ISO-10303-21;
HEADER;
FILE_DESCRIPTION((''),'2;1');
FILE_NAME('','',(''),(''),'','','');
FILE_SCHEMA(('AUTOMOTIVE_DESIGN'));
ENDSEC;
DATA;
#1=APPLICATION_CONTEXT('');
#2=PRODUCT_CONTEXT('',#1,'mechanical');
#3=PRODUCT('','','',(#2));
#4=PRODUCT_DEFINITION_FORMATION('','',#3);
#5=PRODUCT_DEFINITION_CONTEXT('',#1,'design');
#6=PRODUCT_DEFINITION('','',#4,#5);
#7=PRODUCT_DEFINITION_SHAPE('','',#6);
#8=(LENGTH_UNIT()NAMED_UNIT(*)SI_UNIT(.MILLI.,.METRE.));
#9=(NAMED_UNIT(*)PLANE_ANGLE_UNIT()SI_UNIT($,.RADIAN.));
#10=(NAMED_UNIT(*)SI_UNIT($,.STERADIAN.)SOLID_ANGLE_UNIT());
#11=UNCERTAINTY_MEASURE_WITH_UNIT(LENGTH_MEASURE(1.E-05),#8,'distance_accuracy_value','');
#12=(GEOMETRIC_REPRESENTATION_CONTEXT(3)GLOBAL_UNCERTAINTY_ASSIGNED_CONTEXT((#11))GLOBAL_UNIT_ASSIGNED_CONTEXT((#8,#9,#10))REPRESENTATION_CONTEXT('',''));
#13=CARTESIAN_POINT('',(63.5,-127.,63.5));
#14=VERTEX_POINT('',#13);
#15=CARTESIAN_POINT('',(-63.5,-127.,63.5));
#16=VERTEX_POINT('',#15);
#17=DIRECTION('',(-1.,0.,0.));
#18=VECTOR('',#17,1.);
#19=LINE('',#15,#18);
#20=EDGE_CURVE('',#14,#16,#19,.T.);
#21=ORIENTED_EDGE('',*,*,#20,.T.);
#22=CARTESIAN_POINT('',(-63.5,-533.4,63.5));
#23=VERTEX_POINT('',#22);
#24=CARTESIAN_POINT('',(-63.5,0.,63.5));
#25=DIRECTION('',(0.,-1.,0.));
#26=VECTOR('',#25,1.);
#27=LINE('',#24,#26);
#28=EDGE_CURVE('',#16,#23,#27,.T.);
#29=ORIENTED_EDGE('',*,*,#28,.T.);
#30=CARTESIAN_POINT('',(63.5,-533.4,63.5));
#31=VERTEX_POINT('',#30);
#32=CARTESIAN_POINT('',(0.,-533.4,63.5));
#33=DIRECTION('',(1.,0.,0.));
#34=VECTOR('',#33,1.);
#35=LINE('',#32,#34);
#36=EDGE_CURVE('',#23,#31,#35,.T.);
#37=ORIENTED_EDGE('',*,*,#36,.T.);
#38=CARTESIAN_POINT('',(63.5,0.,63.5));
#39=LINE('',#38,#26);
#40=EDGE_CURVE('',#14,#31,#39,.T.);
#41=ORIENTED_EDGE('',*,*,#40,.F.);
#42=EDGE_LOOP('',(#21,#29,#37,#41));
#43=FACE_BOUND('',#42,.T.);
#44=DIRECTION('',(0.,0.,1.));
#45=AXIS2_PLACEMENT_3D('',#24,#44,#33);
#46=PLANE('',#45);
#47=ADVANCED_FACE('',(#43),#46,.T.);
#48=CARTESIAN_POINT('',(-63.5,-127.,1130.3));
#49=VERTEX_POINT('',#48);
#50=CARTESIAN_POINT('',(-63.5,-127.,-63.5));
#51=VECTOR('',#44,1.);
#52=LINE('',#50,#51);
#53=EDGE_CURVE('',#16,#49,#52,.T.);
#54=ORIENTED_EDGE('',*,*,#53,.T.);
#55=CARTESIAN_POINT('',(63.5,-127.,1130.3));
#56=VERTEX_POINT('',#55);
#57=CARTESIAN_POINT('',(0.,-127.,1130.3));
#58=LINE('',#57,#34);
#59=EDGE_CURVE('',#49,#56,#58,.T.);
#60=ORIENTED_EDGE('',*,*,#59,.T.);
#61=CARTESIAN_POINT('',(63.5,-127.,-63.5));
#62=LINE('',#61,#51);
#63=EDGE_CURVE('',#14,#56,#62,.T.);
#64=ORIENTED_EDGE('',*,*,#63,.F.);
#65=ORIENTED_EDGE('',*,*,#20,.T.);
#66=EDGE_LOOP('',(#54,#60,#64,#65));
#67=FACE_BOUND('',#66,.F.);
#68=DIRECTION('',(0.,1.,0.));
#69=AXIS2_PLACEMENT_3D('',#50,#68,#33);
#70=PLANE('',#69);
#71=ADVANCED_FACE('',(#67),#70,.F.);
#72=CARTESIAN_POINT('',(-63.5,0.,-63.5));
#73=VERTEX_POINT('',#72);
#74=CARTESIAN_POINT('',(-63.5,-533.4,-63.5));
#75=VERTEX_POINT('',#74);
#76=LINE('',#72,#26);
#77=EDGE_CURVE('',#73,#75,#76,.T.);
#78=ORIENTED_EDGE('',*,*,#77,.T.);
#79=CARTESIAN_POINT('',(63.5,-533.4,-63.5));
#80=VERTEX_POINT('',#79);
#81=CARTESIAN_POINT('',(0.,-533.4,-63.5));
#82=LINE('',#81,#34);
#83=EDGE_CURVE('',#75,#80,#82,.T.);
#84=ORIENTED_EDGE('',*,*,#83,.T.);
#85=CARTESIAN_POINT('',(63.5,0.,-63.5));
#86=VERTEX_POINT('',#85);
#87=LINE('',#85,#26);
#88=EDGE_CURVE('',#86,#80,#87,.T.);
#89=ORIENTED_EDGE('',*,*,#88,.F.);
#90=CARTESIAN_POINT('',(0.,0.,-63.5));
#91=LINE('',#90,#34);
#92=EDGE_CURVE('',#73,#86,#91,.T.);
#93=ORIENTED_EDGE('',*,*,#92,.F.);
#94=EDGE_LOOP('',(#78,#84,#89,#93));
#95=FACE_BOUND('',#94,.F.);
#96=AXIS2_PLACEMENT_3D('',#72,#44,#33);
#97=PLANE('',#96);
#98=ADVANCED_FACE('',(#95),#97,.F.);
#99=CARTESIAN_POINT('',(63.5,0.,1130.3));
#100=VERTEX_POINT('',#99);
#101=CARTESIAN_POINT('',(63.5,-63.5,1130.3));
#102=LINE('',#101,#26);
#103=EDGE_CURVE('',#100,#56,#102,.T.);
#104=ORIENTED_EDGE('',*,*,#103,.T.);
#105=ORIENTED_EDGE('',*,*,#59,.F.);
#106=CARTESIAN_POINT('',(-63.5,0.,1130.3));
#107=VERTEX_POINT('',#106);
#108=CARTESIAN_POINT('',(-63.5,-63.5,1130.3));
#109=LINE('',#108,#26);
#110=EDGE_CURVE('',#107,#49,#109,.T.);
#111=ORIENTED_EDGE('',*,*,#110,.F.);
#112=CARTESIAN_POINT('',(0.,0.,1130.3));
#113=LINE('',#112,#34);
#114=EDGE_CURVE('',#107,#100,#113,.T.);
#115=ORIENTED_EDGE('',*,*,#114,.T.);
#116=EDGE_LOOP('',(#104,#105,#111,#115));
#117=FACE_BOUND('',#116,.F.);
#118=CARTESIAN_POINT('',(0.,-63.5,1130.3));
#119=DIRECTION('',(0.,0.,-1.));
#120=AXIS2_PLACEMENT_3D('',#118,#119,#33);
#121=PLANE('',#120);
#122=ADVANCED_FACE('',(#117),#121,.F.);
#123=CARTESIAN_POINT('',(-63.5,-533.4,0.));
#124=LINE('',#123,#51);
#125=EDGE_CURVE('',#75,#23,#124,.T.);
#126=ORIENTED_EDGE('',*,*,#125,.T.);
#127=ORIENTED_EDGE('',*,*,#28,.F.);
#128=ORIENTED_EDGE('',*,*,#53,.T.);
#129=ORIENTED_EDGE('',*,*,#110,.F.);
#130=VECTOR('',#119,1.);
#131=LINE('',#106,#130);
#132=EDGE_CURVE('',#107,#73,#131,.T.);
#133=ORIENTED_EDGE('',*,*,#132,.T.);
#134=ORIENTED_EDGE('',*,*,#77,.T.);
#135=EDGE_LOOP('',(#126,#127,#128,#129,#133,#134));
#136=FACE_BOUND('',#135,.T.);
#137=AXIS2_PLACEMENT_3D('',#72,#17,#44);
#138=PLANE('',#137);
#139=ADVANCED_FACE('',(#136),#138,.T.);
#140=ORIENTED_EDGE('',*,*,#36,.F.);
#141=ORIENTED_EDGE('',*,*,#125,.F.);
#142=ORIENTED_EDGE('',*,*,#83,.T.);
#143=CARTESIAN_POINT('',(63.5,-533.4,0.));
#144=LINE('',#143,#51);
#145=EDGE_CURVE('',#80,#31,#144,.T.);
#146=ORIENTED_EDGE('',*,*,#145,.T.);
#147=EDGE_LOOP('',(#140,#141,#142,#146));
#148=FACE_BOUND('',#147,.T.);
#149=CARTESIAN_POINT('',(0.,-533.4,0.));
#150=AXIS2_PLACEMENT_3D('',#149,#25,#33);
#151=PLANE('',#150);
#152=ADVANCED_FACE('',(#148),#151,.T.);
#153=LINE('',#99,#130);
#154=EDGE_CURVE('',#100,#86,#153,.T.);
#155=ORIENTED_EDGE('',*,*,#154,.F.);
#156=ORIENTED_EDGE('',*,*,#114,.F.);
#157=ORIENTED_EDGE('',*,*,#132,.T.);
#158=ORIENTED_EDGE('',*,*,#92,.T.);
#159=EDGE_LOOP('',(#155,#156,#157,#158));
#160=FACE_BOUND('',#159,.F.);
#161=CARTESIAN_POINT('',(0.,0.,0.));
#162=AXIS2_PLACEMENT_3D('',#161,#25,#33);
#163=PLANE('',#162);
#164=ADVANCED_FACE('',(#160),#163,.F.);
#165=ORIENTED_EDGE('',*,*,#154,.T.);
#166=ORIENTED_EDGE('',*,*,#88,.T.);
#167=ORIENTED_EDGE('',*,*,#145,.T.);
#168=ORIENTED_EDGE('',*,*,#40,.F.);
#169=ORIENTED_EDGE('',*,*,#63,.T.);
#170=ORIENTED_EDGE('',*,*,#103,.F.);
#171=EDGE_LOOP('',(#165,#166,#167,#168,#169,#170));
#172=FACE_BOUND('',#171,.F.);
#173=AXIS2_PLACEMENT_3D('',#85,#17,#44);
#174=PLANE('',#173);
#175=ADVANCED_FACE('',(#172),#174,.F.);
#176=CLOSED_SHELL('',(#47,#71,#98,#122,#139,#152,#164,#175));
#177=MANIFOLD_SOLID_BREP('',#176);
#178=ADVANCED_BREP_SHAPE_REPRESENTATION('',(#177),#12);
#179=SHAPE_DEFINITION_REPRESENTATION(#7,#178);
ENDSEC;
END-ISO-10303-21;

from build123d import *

# Parameters (mm, degrees)
F0_W     = 127
F0_H     = 127
F1_DEPTH = 533.4
F2_W     = 127
F2_H     = 127
F3_DEPTH = 1193.8


with BuildPart() as f1:
    # F0 (on Front) → F1 (new body)
    with BuildSketch(Plane.XZ):
        Rectangle(F0_W, F0_H)
    extrude(amount=F1_DEPTH)

    # F2 (on face) → F3 (join)
    with BuildSketch(Plane(origin=(0, 0, -63.5), x_dir=(1, 0, 0), z_dir=(0, 0, -1))):
        with Locations((0, 63.5)):
            Rectangle(F2_W, F2_H)
    extrude(amount=-F3_DEPTH)


solid = f1.part
